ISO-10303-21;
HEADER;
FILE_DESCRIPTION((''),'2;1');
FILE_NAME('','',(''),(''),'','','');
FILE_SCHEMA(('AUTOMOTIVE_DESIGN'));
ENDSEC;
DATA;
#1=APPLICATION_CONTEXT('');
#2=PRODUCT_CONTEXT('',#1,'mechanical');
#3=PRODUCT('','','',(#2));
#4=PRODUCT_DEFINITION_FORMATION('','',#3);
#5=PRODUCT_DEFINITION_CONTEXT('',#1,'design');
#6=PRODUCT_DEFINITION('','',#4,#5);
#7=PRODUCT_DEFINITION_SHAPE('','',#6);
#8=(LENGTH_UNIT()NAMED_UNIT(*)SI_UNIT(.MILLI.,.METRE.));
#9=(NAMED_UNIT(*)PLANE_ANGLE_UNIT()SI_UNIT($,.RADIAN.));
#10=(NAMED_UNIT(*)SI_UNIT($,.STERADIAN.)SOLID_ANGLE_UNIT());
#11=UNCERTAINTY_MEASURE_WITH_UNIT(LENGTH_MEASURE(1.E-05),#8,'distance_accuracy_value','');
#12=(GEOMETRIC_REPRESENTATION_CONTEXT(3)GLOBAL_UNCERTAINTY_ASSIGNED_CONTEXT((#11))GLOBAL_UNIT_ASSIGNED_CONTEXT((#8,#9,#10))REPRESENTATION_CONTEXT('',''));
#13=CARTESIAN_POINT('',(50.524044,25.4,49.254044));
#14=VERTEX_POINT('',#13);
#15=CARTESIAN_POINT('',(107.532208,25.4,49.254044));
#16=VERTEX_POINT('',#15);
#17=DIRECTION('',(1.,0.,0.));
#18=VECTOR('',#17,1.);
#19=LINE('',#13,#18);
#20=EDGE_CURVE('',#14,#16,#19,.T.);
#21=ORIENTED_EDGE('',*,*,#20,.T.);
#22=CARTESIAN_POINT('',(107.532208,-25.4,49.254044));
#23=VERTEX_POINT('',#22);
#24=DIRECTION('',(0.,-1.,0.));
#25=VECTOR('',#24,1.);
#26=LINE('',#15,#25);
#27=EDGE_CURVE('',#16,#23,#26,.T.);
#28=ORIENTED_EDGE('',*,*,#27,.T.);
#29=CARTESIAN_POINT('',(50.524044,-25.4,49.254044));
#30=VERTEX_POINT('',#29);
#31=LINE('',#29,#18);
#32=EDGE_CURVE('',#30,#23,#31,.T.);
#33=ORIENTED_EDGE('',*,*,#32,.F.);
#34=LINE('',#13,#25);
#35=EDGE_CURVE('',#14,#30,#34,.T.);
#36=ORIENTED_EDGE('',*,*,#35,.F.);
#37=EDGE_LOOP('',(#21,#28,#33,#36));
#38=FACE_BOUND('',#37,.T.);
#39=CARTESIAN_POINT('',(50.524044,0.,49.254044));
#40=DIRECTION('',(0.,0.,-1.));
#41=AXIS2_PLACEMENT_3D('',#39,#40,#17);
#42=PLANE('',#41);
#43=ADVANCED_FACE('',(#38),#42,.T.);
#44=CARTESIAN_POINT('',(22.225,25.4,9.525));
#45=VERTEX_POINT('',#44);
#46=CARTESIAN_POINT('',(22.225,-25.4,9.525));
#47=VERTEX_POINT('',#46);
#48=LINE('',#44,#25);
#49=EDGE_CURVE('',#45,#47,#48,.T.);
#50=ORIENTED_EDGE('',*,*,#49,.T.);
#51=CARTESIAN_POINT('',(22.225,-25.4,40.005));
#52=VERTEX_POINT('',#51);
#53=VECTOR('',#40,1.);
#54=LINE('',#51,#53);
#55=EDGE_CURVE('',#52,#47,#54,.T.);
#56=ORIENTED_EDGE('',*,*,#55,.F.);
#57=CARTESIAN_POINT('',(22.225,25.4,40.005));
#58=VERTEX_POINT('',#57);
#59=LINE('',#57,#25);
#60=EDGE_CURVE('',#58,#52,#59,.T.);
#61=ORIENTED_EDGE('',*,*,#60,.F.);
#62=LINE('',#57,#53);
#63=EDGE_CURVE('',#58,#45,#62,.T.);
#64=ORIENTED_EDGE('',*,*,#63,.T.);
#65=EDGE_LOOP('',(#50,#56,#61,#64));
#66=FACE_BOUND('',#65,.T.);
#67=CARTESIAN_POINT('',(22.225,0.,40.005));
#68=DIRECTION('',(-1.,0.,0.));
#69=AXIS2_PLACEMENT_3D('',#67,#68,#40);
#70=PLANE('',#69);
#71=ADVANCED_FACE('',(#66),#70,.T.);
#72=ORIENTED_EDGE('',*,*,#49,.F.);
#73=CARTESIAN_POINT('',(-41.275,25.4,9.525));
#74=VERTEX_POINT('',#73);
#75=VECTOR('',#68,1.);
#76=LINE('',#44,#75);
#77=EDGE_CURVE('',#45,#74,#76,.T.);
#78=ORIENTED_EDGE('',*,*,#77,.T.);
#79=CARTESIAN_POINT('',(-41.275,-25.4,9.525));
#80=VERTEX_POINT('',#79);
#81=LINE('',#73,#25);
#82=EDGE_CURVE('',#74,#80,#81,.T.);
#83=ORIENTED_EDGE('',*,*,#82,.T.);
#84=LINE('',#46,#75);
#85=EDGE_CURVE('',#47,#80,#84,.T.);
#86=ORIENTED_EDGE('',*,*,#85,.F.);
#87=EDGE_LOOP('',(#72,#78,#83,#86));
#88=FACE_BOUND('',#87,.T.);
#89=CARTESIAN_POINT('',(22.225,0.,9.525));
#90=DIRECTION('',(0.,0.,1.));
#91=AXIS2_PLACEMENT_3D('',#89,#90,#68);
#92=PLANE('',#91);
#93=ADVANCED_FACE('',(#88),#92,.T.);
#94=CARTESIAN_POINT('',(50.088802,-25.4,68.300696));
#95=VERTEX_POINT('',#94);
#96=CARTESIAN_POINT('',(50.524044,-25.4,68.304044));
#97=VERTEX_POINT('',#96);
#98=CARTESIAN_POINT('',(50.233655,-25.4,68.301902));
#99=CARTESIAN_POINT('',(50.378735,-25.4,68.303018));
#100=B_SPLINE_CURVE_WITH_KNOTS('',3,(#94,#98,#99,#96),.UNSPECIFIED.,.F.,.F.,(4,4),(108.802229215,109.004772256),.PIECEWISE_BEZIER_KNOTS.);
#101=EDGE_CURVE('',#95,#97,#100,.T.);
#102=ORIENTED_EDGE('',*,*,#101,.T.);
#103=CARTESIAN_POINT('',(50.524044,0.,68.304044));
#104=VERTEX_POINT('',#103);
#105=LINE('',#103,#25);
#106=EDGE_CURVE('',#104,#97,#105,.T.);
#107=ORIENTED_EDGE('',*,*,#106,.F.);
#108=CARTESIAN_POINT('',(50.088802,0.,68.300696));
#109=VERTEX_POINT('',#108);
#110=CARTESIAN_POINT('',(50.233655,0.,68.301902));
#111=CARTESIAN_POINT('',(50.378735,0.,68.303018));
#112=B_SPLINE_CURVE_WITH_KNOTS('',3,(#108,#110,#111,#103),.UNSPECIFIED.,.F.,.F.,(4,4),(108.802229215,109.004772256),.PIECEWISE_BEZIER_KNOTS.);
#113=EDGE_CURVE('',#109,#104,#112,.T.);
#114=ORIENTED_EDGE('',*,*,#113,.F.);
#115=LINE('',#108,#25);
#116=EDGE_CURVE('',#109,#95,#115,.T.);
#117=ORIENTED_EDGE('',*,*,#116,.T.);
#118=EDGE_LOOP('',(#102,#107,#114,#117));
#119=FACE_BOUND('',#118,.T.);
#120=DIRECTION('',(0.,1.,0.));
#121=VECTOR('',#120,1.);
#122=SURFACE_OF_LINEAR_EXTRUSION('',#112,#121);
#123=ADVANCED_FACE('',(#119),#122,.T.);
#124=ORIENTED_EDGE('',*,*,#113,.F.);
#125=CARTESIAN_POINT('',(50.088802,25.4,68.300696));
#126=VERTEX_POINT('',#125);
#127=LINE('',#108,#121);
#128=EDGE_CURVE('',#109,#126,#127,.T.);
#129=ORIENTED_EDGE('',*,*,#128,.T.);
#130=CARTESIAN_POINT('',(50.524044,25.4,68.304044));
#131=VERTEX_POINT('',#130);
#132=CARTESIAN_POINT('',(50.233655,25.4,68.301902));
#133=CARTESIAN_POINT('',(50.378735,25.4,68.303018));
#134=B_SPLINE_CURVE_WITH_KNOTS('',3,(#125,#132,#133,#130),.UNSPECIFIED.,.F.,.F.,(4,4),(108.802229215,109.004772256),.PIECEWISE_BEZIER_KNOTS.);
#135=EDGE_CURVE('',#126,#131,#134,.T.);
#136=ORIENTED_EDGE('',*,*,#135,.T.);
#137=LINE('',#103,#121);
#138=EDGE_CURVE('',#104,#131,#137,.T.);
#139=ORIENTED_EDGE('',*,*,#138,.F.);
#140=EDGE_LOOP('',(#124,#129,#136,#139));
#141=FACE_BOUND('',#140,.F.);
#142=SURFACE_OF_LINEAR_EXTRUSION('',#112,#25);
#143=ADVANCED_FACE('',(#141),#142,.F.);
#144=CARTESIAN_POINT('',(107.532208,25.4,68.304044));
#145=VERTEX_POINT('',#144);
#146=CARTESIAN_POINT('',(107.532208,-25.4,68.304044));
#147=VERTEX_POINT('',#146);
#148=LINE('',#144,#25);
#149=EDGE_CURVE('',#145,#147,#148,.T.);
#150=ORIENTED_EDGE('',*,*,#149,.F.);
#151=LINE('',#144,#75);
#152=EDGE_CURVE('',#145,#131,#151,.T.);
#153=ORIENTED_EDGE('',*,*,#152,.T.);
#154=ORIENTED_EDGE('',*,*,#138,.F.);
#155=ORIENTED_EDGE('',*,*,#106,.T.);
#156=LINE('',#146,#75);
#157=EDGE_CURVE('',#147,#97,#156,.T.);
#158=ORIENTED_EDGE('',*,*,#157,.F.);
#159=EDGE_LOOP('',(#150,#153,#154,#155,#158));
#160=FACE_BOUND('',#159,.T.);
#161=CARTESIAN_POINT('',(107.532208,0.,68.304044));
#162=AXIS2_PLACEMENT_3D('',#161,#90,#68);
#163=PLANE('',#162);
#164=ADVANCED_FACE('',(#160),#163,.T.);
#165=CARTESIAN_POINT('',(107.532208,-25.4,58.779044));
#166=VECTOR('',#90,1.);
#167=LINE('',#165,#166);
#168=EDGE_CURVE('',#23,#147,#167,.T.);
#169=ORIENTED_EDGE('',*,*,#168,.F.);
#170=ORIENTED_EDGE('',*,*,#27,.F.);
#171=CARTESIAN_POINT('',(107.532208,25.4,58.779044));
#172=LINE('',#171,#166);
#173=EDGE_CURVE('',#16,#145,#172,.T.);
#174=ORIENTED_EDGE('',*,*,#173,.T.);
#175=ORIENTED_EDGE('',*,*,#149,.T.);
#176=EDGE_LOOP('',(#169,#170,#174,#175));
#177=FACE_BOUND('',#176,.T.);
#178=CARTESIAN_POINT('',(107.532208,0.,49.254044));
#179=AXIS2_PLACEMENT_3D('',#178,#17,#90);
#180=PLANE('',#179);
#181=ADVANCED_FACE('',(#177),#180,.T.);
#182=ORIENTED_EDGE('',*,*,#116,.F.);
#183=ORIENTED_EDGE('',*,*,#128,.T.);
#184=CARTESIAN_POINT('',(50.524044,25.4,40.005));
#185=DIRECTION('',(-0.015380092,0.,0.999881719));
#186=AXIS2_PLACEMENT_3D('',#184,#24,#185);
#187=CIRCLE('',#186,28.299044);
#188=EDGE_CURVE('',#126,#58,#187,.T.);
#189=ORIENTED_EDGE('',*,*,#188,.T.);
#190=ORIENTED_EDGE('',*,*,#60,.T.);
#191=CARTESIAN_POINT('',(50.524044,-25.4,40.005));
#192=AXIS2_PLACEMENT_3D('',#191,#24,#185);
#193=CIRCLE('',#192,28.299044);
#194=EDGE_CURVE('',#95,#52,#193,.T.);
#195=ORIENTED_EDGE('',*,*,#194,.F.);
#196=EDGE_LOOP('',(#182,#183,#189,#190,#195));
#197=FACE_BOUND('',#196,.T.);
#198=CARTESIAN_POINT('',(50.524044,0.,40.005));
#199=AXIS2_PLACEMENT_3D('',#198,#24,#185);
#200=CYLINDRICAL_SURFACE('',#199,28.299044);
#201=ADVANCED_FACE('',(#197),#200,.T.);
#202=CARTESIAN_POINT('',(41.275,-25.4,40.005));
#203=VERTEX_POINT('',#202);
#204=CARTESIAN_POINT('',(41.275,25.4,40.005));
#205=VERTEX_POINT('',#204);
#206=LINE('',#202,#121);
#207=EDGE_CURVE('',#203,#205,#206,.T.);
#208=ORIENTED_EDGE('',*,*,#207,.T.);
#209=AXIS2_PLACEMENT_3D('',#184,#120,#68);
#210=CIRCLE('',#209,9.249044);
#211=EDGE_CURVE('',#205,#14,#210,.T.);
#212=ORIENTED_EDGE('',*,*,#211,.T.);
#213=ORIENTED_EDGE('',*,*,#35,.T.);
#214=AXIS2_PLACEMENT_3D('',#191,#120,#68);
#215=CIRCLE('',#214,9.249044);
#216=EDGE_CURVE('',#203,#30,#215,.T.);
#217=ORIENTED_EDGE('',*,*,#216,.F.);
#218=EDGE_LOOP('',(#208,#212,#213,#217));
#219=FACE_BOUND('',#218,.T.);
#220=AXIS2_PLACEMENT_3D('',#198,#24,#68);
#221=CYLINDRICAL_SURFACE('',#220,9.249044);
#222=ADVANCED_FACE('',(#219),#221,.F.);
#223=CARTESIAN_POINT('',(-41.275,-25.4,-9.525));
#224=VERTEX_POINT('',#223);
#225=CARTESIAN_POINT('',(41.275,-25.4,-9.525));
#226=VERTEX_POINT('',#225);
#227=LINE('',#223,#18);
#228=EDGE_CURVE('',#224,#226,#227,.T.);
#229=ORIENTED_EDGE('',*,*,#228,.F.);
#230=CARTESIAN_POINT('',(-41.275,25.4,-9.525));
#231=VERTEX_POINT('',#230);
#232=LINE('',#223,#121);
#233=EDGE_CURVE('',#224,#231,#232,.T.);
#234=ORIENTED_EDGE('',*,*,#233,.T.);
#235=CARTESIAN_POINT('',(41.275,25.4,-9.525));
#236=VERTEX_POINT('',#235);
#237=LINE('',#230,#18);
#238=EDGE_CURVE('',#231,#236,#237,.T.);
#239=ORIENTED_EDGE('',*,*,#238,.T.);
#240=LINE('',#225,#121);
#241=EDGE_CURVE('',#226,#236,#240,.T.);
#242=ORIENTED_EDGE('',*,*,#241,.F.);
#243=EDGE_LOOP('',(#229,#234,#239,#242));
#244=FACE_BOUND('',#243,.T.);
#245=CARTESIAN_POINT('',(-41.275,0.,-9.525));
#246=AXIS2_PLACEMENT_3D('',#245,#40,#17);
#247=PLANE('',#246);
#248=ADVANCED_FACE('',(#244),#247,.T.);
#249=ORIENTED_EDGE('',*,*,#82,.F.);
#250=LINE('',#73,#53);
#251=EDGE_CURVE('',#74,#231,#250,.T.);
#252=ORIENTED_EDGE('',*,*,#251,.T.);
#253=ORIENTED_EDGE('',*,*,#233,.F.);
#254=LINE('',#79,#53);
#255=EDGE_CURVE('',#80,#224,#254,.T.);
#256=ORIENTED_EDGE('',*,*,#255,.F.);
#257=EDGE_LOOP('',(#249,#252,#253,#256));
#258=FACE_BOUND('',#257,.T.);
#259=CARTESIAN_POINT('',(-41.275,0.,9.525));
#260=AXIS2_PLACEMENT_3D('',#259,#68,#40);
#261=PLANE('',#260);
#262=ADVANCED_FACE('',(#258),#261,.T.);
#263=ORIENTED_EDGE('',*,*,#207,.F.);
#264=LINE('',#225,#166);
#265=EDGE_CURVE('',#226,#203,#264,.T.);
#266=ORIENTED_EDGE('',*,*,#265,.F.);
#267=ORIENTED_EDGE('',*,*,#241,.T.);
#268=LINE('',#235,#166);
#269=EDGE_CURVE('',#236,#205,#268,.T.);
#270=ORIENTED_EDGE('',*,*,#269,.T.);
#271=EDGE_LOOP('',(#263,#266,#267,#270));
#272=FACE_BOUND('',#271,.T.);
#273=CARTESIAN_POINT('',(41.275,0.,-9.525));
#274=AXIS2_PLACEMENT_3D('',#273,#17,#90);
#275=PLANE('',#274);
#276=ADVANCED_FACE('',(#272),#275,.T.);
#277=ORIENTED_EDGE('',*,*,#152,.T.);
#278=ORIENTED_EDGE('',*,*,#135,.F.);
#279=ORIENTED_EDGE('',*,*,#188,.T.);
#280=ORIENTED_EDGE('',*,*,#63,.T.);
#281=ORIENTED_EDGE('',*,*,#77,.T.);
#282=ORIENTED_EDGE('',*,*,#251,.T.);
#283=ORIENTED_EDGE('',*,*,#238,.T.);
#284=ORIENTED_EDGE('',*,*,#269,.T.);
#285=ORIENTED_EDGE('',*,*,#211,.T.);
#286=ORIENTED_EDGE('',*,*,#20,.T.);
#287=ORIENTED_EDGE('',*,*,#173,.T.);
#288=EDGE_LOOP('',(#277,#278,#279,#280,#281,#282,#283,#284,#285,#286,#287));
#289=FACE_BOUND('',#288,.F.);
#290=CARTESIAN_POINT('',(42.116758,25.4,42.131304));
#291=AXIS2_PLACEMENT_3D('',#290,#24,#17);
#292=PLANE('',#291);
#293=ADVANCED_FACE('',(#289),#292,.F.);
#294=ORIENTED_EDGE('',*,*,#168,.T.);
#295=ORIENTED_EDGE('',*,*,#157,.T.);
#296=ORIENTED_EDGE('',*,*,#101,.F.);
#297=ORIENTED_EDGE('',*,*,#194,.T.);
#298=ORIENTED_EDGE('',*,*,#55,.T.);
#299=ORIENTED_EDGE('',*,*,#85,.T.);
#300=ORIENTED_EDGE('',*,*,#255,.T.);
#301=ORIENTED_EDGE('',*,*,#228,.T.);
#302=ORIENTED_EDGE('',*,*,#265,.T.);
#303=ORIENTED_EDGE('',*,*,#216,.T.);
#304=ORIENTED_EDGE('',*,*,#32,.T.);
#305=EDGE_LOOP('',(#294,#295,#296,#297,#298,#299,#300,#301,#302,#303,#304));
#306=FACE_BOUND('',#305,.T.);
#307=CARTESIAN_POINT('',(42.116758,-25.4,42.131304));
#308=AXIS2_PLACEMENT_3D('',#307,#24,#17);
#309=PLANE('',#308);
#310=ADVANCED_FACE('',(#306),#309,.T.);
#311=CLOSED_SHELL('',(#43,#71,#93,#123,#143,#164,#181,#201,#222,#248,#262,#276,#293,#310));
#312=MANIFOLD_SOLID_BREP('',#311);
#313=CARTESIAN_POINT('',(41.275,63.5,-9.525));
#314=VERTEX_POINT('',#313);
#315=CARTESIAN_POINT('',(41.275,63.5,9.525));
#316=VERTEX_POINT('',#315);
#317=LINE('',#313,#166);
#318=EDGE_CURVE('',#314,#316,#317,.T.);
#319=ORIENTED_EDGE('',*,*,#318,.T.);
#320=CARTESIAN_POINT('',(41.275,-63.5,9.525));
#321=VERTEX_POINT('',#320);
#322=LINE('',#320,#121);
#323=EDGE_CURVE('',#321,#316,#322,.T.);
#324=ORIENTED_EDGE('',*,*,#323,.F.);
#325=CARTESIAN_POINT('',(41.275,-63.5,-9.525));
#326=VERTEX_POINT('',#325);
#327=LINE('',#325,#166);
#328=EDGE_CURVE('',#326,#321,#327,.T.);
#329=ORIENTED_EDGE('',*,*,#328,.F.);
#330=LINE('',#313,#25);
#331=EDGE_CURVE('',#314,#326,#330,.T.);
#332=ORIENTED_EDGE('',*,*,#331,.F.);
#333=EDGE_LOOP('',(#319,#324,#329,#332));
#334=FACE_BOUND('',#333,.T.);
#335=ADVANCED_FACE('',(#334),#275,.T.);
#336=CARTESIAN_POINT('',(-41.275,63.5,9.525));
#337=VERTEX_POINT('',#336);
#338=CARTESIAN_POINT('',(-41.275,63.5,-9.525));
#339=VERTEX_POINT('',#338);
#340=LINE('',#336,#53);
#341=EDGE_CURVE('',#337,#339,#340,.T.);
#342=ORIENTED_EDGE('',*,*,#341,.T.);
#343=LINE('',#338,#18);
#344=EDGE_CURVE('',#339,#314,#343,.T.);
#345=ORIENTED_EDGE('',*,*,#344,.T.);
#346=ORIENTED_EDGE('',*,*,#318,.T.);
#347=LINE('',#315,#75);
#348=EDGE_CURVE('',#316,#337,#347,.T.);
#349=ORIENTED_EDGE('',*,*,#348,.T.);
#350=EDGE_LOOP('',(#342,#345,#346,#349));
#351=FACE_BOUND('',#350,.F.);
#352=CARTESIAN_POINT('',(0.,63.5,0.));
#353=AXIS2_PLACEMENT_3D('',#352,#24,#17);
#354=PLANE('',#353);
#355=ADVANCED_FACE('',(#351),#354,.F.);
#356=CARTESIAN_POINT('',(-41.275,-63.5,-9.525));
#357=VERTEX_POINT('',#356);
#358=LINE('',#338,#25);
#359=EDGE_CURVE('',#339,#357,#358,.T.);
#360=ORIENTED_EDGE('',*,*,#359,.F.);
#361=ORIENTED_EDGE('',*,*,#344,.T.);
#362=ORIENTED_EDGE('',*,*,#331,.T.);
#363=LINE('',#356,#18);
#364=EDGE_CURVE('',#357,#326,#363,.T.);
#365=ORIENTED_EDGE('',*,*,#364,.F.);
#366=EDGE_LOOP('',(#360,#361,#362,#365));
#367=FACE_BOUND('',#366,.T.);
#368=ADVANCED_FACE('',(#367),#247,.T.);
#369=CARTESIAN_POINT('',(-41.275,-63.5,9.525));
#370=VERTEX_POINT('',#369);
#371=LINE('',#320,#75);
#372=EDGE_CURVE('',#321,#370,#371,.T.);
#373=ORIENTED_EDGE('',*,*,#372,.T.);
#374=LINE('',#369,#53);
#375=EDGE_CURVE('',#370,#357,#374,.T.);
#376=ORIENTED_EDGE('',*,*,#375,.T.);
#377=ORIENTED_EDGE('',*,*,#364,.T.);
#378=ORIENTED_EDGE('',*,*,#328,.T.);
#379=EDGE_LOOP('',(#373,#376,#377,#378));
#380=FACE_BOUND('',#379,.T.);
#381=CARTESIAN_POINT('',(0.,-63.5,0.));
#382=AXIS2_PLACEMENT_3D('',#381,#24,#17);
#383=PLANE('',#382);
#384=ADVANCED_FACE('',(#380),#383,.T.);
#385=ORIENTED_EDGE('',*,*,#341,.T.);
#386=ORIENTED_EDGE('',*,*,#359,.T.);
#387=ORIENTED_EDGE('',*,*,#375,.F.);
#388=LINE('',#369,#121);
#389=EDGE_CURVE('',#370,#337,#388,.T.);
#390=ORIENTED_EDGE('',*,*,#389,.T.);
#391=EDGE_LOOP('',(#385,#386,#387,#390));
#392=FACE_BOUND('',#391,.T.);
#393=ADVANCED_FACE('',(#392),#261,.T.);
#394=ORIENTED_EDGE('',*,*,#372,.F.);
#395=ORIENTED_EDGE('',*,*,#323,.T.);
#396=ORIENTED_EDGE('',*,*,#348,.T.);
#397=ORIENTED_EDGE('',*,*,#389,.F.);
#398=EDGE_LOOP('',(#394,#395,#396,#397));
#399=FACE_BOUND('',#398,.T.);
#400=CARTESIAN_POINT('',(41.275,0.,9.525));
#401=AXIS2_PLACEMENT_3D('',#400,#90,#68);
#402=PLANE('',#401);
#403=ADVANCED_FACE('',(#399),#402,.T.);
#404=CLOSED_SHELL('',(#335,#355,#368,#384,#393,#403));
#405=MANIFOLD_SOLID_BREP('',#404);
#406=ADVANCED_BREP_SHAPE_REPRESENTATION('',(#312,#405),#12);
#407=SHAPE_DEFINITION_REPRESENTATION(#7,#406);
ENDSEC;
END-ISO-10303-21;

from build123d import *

# Parameters (mm, degrees)
F1_DEPTH = 63.5
F0_W     = 38.1
F0_H     = 19.05
F2_DEPTH = 25.4


with BuildPart() as f1:
    # F0 (on Front) → F1 (new body, symmetric)
    with BuildSketch(Plane.XZ):
        Polygon((-41.275, 9.525), (-41.275, -9.525), (41.275, -9.525), (41.275, 9.525), (22.225, 9.525), align=None)
    extrude(amount=F1_DEPTH, both=True)


with BuildPart() as f2:
    # F0 (on Front) → F2 (new body, symmetric)
    with BuildSketch(Plane.XZ):
        with BuildLine():
            Line((22.225, 9.525), (41.275, 9.525))
            Line((41.275, 9.525), (41.275, 40.005))
            ThreePointArc((41.275, 40.005), (43.9839821531, 46.5450614543), (50.5240436075, 49.2540436075))
            Line((50.5240436075, 49.2540436075), (69.432207522, 49.2540436075))
            Line((69.432207522, 49.2540436075), (69.432207522, 68.3040436075))
            Line((69.432207522, 68.3040436075), (50.5240436075, 68.3040436075))
            add(Edge.make_bspline(
                [(50.0888017007, 68.3006963791), (50.2336546011, 68.3019021596), (50.3787351185, 68.3030179477), (50.5240436075, 68.3040436075)],
                knots=[108.8022292146, 108.8022292146, 108.8022292146, 108.8022292146, 109.0047722563, 109.0047722563, 109.0047722563, 109.0047722563], degree=3))
            ThreePointArc((50.0888017007, 68.3006963791), (30.3603038899, 59.8609681129), (22.225, 40.005))
            Line((22.225, 40.005), (22.225, 9.525))
        make_face()
        Polygon((-41.275, 9.525), (-41.275, -9.525), (41.275, -9.525), (41.275, 9.525), (22.225, 9.525), align=None)
        with Locations((88.482207522, 58.7790436075)):
            Rectangle(F0_W, F0_H)
    extrude(amount=F2_DEPTH, both=True)


solid = Compound([f1.part, f2.part])
